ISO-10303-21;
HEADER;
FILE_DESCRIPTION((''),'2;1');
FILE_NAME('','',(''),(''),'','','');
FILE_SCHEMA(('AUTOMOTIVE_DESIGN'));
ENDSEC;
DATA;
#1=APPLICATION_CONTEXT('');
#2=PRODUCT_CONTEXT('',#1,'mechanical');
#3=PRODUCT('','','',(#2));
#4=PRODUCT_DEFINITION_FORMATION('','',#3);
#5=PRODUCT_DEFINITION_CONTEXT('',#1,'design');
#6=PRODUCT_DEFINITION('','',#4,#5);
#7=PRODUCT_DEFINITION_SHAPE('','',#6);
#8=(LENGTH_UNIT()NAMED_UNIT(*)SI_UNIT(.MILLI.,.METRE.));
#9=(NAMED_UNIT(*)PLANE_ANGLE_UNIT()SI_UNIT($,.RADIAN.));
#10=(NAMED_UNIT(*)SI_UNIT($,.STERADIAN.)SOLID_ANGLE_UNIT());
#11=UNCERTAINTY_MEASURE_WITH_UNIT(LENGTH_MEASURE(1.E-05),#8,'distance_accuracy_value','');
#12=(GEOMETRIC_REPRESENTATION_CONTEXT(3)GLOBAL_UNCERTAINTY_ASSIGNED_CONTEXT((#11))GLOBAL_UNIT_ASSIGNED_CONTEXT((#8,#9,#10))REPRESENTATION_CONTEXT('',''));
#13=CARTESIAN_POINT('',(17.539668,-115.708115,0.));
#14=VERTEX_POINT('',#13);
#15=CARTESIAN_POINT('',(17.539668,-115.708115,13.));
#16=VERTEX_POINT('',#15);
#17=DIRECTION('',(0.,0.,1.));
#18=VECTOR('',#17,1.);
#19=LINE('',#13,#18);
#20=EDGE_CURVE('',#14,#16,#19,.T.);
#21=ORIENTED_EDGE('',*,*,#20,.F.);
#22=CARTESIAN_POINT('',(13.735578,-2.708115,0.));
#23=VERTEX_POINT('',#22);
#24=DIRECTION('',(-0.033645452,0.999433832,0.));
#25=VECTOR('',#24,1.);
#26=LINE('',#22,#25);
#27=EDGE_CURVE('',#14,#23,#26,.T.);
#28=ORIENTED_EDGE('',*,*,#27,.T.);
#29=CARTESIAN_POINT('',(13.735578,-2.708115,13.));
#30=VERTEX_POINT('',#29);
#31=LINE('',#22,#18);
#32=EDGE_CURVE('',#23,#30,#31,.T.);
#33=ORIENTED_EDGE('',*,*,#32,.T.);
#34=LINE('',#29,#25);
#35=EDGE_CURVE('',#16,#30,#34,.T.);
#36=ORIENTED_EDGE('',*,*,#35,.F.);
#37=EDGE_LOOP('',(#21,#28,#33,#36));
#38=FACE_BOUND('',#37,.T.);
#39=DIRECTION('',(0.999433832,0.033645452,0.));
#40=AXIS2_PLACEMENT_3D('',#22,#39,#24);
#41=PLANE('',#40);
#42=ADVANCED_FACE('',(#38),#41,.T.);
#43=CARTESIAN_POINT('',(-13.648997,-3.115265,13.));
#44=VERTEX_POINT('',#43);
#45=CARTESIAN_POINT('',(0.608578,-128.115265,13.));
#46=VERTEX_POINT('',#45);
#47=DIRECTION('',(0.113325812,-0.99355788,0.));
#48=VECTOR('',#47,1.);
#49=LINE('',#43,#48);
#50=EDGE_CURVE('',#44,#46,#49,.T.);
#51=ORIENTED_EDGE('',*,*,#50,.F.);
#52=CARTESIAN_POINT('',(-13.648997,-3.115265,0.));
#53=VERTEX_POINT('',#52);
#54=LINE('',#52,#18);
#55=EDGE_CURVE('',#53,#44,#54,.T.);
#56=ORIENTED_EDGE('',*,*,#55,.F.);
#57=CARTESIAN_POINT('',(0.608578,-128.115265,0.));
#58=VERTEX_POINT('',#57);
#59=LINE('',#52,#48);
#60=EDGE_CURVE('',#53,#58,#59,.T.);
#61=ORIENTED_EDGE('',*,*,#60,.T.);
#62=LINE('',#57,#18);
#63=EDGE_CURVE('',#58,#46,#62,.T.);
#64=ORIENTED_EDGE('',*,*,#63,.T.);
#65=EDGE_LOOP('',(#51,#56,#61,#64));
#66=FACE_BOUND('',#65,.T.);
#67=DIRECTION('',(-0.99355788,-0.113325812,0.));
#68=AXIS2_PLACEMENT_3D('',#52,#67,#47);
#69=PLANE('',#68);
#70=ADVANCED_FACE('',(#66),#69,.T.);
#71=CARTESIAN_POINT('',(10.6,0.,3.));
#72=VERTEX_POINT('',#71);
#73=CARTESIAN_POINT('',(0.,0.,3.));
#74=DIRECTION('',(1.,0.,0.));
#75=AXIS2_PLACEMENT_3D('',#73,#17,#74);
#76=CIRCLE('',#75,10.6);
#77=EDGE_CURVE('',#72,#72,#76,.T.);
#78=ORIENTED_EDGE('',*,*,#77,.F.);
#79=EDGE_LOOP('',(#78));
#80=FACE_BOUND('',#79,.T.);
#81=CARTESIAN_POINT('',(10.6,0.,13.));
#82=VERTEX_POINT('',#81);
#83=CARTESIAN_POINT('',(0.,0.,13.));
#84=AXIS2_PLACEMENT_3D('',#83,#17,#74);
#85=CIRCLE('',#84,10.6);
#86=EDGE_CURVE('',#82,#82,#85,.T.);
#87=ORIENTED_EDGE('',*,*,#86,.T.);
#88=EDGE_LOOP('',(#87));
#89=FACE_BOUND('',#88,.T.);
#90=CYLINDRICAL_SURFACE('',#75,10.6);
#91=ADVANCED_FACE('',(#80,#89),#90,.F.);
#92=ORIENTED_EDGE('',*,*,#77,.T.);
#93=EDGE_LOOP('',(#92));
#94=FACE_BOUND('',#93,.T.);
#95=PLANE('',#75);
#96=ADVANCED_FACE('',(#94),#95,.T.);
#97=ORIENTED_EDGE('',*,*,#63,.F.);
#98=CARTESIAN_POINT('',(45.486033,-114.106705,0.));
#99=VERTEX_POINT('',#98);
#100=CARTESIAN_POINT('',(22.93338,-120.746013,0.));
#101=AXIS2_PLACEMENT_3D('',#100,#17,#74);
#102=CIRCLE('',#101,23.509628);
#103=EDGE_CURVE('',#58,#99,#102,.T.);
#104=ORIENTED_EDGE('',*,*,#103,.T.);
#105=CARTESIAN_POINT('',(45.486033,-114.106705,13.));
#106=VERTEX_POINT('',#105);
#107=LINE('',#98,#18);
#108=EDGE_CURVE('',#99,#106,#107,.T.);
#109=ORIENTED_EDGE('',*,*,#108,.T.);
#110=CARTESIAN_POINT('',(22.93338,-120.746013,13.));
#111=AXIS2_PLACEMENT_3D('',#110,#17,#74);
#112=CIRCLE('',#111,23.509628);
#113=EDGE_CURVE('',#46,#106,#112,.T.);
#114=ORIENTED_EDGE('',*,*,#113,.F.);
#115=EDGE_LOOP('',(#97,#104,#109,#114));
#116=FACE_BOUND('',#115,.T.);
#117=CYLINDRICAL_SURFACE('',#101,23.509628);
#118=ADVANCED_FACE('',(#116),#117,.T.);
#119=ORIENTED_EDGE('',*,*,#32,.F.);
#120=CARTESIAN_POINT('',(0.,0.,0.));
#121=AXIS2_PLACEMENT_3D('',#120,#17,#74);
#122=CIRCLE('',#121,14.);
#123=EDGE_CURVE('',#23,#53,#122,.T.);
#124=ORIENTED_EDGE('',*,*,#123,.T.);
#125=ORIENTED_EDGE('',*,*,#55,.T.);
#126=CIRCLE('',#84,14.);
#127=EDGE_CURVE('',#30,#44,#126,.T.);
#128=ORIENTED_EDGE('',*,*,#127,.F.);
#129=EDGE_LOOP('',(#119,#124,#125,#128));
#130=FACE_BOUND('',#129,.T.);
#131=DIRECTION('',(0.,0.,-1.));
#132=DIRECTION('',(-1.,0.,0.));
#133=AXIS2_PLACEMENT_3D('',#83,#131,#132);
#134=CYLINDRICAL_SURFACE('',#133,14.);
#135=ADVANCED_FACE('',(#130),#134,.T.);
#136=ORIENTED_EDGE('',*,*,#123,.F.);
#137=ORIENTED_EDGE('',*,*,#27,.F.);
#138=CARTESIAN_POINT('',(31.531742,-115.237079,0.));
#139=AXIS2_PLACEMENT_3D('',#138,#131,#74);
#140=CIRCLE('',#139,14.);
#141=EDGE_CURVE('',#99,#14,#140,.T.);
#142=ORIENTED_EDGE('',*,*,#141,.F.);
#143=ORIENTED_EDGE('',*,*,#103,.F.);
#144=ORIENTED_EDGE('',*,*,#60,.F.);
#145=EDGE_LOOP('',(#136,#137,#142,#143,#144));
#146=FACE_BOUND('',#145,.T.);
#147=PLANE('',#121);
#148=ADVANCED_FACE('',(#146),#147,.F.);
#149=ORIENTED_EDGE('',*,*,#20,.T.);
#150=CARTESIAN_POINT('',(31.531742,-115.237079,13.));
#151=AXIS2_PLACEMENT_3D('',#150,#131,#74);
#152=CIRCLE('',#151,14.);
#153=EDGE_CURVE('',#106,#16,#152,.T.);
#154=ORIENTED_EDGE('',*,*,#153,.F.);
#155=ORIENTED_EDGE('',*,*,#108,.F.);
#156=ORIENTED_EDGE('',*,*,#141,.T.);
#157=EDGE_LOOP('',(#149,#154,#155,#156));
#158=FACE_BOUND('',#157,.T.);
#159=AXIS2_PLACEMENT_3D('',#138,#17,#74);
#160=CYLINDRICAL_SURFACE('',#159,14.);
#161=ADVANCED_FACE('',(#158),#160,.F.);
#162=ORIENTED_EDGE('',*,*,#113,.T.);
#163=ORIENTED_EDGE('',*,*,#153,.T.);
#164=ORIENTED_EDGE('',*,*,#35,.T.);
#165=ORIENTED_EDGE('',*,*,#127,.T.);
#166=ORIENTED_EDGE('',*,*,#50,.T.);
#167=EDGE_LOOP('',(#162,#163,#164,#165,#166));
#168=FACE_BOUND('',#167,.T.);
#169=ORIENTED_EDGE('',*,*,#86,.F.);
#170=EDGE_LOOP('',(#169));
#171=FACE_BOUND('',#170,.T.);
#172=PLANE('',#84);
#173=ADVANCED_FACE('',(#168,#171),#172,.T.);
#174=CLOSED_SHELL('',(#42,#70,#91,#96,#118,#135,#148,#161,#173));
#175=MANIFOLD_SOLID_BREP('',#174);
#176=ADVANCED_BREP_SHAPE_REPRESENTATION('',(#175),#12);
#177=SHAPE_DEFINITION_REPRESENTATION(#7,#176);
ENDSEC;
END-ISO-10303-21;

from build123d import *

# Parameters (mm, degrees)
SKETCH_1_R          = 14
EXTRUDE_1_DEPTH     = 13
SKETCH_3_R          = 4
CUT_EXTRUDE_2_DEPTH = 10
EXTRUDE_START       = -13
EXTRUDE_3_DEPTH     = 13
SKETCH_7_R          = 10.6
CUT_EXTRUDE_3_DEPTH = 10


with BuildPart() as part:
    # 스케치1 → 보스-돌출1 (new body)
    with BuildSketch(Plane.XY):
        with Locations(Location((0, 0, 0), (0, 0, 180))):
            Circle(SKETCH_1_R)
    extrude(amount=EXTRUDE_1_DEPTH)

    # 스케치3 → 컷-돌출2 (cut)
    with BuildSketch(Plane.XY.offset(13)):
        Circle(SKETCH_3_R)
    extrude(amount=-CUT_EXTRUDE_2_DEPTH, mode=Mode.SUBTRACT)

    # 스케치6 → 보스-돌출3 (add)
    with BuildSketch(Plane.XY.offset(13).offset(EXTRUDE_START)):
        with BuildLine():
            Line((13.735578357, -2.708115061), (17.539668143, -115.708115061))
            ThreePointArc((17.539668143, -115.708115061), (32.332669837, -129.214149758), (45.486033392, -114.10670459))
            ThreePointArc((45.486033392, -114.10670459), (29.938586036, -143.187708961), (0.608578272, -128.115264599))
            Line((0.608578272, -128.115264599), (-13.64899727, -3.115264599))
            ThreePointArc((-13.64899727, -3.115264599), (0.208126783, -13.998452887), (13.735578357, -2.708115061))
        make_face()
    extrude(amount=EXTRUDE_3_DEPTH)

    # 스케치7 → 컷-돌출3 (cut)
    with BuildSketch(Plane.XY.offset(13)):
        Circle(SKETCH_7_R)
    extrude(amount=-CUT_EXTRUDE_3_DEPTH, mode=Mode.SUBTRACT)


solid = part.part
